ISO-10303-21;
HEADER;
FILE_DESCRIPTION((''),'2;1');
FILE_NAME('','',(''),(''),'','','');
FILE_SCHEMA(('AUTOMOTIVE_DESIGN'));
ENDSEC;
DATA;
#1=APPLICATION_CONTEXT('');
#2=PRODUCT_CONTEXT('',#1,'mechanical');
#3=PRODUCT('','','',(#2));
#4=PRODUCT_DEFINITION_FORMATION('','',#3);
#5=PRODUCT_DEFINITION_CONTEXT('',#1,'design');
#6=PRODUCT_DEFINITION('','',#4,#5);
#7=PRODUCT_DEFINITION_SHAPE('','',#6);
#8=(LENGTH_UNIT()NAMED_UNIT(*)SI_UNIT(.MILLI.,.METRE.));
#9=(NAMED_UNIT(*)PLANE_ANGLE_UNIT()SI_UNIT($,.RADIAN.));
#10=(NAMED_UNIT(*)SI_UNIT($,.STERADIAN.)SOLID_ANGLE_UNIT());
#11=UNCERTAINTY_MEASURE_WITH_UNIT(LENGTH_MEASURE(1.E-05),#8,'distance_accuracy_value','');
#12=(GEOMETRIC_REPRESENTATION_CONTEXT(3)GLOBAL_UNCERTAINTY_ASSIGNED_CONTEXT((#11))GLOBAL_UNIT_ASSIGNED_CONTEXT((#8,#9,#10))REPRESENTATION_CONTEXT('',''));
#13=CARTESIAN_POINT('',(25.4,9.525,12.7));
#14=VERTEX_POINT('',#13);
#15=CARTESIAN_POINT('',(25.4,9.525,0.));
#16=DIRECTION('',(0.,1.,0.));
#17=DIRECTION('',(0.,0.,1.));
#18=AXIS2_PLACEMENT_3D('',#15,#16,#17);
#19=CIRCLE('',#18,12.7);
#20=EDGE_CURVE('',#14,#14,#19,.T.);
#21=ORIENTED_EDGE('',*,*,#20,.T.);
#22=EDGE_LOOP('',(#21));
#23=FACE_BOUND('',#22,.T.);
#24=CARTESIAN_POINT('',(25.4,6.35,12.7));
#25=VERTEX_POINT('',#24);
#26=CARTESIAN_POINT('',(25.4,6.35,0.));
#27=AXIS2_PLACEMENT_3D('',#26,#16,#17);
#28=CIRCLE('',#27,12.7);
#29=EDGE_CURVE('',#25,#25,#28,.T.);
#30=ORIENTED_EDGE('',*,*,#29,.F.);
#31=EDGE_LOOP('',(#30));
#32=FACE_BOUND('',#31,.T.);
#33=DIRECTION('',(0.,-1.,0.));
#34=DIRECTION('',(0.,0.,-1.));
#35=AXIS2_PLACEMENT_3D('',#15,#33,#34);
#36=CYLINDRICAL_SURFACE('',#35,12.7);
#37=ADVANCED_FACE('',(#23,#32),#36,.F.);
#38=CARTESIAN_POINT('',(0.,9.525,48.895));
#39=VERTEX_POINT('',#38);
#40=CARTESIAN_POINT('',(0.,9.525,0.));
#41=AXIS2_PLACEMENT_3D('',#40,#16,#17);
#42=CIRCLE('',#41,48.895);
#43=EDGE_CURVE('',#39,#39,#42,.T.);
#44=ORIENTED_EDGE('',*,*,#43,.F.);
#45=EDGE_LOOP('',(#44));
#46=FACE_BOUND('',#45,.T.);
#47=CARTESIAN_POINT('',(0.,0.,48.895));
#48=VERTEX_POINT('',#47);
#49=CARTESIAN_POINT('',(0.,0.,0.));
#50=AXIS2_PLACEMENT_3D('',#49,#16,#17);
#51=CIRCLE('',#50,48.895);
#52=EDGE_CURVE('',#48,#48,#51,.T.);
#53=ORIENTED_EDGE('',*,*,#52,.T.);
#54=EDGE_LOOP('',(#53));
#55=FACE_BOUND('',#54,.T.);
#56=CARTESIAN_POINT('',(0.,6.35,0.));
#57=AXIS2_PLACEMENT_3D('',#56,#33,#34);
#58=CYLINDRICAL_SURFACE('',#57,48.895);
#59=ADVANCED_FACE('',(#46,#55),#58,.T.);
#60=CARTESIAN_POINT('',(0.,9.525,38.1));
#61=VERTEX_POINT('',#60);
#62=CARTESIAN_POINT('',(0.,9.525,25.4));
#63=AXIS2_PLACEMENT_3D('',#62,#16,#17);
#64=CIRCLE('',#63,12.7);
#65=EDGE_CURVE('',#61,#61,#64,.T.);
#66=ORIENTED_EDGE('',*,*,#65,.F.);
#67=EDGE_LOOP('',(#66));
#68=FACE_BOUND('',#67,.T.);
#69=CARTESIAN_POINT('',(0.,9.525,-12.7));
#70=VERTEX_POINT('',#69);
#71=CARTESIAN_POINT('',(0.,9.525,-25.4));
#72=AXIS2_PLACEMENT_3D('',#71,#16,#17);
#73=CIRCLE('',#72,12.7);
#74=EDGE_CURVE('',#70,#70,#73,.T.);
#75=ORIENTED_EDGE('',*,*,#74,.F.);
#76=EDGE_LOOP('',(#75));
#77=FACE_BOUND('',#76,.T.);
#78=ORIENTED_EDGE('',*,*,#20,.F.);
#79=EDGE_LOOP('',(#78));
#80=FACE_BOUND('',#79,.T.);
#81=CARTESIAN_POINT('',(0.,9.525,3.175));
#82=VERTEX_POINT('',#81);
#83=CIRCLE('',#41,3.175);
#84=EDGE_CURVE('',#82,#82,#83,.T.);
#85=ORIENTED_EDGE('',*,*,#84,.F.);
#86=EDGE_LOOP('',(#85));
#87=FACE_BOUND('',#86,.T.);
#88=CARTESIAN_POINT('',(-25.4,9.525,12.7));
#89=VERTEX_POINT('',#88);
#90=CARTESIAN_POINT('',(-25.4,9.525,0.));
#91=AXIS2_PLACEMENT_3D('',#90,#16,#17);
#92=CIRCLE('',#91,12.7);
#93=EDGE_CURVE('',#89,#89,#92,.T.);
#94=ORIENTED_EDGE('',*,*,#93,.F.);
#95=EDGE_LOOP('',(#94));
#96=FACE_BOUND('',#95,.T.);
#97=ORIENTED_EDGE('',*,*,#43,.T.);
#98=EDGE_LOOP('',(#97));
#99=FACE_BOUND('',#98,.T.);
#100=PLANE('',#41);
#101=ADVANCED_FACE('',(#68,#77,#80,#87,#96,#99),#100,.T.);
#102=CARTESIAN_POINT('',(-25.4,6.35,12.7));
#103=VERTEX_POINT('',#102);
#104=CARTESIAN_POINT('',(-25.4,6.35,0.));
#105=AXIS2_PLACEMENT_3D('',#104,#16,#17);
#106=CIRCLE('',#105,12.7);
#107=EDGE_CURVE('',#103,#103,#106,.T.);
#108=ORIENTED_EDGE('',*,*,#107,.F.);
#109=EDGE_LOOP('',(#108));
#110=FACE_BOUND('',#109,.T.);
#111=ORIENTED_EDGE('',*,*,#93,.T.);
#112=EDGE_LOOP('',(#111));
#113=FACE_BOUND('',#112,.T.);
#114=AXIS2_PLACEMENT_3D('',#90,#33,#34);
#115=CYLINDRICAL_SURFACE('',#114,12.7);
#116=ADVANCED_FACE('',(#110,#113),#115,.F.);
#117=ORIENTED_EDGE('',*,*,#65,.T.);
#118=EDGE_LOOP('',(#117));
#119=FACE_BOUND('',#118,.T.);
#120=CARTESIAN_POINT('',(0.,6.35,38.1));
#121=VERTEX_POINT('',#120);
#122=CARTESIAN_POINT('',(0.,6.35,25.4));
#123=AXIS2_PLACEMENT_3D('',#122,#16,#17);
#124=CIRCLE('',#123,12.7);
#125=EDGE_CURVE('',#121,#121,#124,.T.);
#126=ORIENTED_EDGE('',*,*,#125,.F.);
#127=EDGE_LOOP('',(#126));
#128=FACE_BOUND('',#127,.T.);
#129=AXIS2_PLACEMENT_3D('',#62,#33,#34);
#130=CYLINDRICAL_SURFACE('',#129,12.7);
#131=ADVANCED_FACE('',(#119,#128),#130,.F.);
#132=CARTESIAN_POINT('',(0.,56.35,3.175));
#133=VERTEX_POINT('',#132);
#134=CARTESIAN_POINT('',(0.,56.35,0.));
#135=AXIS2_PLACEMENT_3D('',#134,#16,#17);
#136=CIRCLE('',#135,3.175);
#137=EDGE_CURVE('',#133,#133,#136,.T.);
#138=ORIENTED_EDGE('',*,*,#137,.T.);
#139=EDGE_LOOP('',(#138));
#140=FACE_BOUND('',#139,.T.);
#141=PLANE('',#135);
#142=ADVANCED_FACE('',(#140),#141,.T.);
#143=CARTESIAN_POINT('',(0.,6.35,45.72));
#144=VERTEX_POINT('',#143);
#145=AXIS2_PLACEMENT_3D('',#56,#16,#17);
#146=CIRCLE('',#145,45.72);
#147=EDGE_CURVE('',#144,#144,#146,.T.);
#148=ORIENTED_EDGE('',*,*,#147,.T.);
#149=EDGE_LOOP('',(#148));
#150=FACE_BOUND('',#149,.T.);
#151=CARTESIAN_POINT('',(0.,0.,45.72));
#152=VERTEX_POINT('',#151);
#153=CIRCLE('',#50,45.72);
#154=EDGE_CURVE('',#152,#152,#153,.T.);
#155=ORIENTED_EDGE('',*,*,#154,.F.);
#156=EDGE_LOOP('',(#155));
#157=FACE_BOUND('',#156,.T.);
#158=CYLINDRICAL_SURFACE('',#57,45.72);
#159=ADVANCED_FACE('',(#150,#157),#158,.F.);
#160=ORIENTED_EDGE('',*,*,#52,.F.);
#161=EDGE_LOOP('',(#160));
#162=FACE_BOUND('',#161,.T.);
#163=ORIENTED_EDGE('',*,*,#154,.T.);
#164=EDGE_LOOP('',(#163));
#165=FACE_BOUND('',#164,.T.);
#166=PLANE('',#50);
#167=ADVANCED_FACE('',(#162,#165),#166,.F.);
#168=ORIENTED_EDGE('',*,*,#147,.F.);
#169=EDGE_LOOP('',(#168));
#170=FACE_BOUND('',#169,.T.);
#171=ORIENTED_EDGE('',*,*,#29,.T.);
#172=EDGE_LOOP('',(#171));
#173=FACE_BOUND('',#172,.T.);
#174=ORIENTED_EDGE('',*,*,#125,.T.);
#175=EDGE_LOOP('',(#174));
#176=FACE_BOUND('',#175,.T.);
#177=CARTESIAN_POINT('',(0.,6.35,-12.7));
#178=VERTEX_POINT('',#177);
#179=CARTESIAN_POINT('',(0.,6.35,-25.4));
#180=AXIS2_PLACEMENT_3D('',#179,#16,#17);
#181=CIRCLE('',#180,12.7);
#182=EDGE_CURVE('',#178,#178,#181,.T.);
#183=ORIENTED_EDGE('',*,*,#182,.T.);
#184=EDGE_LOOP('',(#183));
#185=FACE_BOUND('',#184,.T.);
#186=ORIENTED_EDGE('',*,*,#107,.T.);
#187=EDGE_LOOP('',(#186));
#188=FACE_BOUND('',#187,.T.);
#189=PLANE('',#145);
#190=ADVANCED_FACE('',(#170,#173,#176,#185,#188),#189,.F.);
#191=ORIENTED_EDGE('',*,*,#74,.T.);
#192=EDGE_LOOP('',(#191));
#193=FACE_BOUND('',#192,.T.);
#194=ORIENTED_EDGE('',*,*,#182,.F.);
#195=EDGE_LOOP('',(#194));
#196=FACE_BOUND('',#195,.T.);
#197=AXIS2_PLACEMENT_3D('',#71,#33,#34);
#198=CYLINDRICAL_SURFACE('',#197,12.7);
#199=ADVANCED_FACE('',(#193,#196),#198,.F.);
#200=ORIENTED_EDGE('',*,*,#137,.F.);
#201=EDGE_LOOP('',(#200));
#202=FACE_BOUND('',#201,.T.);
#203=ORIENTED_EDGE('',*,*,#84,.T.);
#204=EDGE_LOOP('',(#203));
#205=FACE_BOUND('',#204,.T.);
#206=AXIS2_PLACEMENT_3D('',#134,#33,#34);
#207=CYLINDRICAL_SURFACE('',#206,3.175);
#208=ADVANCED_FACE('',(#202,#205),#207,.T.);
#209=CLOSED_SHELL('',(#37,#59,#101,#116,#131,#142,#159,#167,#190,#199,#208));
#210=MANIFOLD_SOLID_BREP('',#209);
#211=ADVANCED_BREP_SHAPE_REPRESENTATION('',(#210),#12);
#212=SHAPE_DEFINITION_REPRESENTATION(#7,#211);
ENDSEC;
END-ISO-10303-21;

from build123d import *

# Parameters (mm, degrees)
SKETCH1_R           = 48.895
SKETCH1_R_2         = 45.72
BOSS_EXTRUDE1_DEPTH = 6.35
SKETCH2_R           = 48.895
SKETCH2_R_2         = 12.7
BOSS_EXTRUDE2_DEPTH = 3.175
SKETCH3_R           = 3.175
BOSS_EXTRUDE3_DEPTH = 46.825


with BuildPart() as part:
    # Sketch1 → Boss-Extrude1 (new body)
    with BuildSketch(Plane(origin=(0, 0, 0), x_dir=(1, 0, 0), z_dir=(0, 1, 0))):
        with Locations(Location((0, 0, 0), (0, 0, 270))):
            Circle(SKETCH1_R)
        with Locations(Location((0, 0, 0), (0, 0, 270))):
            Circle(SKETCH1_R_2, mode=Mode.SUBTRACT)
    extrude(amount=BOSS_EXTRUDE1_DEPTH)

    # Sketch2 → Boss-Extrude2 (add)
    with BuildSketch(Plane(origin=(0, 6.35, 0), x_dir=(1, 0, 0), z_dir=(0, 1, 0))):
        with Locations(Location((0, 0, 0), (0, 0, 270))):
            Circle(SKETCH2_R)
        with Locations(Location((0, 25.4, 0), (0, 0, 270))):
            Circle(SKETCH2_R_2, mode=Mode.SUBTRACT)
        with Locations(Location((25.4, 0, 0), (0, 0, 270))):
            Circle(SKETCH2_R_2, mode=Mode.SUBTRACT)
        with Locations(Location((0, -25.4, 0), (0, 0, 270))):
            Circle(SKETCH2_R_2, mode=Mode.SUBTRACT)
        with Locations(Location((-25.4, 0, 0), (0, 0, 270))):
            Circle(SKETCH2_R_2, mode=Mode.SUBTRACT)
    extrude(amount=BOSS_EXTRUDE2_DEPTH)

    # Sketch3 → Boss-Extrude3 (add)
    with BuildSketch(Plane(origin=(0, 9.525, 0), x_dir=(1, 0, 0), z_dir=(0, 1, 0))):
        with Locations(Location((0, 0, 0), (0, 0, 270))):
            Circle(SKETCH3_R)
    extrude(amount=BOSS_EXTRUDE3_DEPTH)


solid = part.part
